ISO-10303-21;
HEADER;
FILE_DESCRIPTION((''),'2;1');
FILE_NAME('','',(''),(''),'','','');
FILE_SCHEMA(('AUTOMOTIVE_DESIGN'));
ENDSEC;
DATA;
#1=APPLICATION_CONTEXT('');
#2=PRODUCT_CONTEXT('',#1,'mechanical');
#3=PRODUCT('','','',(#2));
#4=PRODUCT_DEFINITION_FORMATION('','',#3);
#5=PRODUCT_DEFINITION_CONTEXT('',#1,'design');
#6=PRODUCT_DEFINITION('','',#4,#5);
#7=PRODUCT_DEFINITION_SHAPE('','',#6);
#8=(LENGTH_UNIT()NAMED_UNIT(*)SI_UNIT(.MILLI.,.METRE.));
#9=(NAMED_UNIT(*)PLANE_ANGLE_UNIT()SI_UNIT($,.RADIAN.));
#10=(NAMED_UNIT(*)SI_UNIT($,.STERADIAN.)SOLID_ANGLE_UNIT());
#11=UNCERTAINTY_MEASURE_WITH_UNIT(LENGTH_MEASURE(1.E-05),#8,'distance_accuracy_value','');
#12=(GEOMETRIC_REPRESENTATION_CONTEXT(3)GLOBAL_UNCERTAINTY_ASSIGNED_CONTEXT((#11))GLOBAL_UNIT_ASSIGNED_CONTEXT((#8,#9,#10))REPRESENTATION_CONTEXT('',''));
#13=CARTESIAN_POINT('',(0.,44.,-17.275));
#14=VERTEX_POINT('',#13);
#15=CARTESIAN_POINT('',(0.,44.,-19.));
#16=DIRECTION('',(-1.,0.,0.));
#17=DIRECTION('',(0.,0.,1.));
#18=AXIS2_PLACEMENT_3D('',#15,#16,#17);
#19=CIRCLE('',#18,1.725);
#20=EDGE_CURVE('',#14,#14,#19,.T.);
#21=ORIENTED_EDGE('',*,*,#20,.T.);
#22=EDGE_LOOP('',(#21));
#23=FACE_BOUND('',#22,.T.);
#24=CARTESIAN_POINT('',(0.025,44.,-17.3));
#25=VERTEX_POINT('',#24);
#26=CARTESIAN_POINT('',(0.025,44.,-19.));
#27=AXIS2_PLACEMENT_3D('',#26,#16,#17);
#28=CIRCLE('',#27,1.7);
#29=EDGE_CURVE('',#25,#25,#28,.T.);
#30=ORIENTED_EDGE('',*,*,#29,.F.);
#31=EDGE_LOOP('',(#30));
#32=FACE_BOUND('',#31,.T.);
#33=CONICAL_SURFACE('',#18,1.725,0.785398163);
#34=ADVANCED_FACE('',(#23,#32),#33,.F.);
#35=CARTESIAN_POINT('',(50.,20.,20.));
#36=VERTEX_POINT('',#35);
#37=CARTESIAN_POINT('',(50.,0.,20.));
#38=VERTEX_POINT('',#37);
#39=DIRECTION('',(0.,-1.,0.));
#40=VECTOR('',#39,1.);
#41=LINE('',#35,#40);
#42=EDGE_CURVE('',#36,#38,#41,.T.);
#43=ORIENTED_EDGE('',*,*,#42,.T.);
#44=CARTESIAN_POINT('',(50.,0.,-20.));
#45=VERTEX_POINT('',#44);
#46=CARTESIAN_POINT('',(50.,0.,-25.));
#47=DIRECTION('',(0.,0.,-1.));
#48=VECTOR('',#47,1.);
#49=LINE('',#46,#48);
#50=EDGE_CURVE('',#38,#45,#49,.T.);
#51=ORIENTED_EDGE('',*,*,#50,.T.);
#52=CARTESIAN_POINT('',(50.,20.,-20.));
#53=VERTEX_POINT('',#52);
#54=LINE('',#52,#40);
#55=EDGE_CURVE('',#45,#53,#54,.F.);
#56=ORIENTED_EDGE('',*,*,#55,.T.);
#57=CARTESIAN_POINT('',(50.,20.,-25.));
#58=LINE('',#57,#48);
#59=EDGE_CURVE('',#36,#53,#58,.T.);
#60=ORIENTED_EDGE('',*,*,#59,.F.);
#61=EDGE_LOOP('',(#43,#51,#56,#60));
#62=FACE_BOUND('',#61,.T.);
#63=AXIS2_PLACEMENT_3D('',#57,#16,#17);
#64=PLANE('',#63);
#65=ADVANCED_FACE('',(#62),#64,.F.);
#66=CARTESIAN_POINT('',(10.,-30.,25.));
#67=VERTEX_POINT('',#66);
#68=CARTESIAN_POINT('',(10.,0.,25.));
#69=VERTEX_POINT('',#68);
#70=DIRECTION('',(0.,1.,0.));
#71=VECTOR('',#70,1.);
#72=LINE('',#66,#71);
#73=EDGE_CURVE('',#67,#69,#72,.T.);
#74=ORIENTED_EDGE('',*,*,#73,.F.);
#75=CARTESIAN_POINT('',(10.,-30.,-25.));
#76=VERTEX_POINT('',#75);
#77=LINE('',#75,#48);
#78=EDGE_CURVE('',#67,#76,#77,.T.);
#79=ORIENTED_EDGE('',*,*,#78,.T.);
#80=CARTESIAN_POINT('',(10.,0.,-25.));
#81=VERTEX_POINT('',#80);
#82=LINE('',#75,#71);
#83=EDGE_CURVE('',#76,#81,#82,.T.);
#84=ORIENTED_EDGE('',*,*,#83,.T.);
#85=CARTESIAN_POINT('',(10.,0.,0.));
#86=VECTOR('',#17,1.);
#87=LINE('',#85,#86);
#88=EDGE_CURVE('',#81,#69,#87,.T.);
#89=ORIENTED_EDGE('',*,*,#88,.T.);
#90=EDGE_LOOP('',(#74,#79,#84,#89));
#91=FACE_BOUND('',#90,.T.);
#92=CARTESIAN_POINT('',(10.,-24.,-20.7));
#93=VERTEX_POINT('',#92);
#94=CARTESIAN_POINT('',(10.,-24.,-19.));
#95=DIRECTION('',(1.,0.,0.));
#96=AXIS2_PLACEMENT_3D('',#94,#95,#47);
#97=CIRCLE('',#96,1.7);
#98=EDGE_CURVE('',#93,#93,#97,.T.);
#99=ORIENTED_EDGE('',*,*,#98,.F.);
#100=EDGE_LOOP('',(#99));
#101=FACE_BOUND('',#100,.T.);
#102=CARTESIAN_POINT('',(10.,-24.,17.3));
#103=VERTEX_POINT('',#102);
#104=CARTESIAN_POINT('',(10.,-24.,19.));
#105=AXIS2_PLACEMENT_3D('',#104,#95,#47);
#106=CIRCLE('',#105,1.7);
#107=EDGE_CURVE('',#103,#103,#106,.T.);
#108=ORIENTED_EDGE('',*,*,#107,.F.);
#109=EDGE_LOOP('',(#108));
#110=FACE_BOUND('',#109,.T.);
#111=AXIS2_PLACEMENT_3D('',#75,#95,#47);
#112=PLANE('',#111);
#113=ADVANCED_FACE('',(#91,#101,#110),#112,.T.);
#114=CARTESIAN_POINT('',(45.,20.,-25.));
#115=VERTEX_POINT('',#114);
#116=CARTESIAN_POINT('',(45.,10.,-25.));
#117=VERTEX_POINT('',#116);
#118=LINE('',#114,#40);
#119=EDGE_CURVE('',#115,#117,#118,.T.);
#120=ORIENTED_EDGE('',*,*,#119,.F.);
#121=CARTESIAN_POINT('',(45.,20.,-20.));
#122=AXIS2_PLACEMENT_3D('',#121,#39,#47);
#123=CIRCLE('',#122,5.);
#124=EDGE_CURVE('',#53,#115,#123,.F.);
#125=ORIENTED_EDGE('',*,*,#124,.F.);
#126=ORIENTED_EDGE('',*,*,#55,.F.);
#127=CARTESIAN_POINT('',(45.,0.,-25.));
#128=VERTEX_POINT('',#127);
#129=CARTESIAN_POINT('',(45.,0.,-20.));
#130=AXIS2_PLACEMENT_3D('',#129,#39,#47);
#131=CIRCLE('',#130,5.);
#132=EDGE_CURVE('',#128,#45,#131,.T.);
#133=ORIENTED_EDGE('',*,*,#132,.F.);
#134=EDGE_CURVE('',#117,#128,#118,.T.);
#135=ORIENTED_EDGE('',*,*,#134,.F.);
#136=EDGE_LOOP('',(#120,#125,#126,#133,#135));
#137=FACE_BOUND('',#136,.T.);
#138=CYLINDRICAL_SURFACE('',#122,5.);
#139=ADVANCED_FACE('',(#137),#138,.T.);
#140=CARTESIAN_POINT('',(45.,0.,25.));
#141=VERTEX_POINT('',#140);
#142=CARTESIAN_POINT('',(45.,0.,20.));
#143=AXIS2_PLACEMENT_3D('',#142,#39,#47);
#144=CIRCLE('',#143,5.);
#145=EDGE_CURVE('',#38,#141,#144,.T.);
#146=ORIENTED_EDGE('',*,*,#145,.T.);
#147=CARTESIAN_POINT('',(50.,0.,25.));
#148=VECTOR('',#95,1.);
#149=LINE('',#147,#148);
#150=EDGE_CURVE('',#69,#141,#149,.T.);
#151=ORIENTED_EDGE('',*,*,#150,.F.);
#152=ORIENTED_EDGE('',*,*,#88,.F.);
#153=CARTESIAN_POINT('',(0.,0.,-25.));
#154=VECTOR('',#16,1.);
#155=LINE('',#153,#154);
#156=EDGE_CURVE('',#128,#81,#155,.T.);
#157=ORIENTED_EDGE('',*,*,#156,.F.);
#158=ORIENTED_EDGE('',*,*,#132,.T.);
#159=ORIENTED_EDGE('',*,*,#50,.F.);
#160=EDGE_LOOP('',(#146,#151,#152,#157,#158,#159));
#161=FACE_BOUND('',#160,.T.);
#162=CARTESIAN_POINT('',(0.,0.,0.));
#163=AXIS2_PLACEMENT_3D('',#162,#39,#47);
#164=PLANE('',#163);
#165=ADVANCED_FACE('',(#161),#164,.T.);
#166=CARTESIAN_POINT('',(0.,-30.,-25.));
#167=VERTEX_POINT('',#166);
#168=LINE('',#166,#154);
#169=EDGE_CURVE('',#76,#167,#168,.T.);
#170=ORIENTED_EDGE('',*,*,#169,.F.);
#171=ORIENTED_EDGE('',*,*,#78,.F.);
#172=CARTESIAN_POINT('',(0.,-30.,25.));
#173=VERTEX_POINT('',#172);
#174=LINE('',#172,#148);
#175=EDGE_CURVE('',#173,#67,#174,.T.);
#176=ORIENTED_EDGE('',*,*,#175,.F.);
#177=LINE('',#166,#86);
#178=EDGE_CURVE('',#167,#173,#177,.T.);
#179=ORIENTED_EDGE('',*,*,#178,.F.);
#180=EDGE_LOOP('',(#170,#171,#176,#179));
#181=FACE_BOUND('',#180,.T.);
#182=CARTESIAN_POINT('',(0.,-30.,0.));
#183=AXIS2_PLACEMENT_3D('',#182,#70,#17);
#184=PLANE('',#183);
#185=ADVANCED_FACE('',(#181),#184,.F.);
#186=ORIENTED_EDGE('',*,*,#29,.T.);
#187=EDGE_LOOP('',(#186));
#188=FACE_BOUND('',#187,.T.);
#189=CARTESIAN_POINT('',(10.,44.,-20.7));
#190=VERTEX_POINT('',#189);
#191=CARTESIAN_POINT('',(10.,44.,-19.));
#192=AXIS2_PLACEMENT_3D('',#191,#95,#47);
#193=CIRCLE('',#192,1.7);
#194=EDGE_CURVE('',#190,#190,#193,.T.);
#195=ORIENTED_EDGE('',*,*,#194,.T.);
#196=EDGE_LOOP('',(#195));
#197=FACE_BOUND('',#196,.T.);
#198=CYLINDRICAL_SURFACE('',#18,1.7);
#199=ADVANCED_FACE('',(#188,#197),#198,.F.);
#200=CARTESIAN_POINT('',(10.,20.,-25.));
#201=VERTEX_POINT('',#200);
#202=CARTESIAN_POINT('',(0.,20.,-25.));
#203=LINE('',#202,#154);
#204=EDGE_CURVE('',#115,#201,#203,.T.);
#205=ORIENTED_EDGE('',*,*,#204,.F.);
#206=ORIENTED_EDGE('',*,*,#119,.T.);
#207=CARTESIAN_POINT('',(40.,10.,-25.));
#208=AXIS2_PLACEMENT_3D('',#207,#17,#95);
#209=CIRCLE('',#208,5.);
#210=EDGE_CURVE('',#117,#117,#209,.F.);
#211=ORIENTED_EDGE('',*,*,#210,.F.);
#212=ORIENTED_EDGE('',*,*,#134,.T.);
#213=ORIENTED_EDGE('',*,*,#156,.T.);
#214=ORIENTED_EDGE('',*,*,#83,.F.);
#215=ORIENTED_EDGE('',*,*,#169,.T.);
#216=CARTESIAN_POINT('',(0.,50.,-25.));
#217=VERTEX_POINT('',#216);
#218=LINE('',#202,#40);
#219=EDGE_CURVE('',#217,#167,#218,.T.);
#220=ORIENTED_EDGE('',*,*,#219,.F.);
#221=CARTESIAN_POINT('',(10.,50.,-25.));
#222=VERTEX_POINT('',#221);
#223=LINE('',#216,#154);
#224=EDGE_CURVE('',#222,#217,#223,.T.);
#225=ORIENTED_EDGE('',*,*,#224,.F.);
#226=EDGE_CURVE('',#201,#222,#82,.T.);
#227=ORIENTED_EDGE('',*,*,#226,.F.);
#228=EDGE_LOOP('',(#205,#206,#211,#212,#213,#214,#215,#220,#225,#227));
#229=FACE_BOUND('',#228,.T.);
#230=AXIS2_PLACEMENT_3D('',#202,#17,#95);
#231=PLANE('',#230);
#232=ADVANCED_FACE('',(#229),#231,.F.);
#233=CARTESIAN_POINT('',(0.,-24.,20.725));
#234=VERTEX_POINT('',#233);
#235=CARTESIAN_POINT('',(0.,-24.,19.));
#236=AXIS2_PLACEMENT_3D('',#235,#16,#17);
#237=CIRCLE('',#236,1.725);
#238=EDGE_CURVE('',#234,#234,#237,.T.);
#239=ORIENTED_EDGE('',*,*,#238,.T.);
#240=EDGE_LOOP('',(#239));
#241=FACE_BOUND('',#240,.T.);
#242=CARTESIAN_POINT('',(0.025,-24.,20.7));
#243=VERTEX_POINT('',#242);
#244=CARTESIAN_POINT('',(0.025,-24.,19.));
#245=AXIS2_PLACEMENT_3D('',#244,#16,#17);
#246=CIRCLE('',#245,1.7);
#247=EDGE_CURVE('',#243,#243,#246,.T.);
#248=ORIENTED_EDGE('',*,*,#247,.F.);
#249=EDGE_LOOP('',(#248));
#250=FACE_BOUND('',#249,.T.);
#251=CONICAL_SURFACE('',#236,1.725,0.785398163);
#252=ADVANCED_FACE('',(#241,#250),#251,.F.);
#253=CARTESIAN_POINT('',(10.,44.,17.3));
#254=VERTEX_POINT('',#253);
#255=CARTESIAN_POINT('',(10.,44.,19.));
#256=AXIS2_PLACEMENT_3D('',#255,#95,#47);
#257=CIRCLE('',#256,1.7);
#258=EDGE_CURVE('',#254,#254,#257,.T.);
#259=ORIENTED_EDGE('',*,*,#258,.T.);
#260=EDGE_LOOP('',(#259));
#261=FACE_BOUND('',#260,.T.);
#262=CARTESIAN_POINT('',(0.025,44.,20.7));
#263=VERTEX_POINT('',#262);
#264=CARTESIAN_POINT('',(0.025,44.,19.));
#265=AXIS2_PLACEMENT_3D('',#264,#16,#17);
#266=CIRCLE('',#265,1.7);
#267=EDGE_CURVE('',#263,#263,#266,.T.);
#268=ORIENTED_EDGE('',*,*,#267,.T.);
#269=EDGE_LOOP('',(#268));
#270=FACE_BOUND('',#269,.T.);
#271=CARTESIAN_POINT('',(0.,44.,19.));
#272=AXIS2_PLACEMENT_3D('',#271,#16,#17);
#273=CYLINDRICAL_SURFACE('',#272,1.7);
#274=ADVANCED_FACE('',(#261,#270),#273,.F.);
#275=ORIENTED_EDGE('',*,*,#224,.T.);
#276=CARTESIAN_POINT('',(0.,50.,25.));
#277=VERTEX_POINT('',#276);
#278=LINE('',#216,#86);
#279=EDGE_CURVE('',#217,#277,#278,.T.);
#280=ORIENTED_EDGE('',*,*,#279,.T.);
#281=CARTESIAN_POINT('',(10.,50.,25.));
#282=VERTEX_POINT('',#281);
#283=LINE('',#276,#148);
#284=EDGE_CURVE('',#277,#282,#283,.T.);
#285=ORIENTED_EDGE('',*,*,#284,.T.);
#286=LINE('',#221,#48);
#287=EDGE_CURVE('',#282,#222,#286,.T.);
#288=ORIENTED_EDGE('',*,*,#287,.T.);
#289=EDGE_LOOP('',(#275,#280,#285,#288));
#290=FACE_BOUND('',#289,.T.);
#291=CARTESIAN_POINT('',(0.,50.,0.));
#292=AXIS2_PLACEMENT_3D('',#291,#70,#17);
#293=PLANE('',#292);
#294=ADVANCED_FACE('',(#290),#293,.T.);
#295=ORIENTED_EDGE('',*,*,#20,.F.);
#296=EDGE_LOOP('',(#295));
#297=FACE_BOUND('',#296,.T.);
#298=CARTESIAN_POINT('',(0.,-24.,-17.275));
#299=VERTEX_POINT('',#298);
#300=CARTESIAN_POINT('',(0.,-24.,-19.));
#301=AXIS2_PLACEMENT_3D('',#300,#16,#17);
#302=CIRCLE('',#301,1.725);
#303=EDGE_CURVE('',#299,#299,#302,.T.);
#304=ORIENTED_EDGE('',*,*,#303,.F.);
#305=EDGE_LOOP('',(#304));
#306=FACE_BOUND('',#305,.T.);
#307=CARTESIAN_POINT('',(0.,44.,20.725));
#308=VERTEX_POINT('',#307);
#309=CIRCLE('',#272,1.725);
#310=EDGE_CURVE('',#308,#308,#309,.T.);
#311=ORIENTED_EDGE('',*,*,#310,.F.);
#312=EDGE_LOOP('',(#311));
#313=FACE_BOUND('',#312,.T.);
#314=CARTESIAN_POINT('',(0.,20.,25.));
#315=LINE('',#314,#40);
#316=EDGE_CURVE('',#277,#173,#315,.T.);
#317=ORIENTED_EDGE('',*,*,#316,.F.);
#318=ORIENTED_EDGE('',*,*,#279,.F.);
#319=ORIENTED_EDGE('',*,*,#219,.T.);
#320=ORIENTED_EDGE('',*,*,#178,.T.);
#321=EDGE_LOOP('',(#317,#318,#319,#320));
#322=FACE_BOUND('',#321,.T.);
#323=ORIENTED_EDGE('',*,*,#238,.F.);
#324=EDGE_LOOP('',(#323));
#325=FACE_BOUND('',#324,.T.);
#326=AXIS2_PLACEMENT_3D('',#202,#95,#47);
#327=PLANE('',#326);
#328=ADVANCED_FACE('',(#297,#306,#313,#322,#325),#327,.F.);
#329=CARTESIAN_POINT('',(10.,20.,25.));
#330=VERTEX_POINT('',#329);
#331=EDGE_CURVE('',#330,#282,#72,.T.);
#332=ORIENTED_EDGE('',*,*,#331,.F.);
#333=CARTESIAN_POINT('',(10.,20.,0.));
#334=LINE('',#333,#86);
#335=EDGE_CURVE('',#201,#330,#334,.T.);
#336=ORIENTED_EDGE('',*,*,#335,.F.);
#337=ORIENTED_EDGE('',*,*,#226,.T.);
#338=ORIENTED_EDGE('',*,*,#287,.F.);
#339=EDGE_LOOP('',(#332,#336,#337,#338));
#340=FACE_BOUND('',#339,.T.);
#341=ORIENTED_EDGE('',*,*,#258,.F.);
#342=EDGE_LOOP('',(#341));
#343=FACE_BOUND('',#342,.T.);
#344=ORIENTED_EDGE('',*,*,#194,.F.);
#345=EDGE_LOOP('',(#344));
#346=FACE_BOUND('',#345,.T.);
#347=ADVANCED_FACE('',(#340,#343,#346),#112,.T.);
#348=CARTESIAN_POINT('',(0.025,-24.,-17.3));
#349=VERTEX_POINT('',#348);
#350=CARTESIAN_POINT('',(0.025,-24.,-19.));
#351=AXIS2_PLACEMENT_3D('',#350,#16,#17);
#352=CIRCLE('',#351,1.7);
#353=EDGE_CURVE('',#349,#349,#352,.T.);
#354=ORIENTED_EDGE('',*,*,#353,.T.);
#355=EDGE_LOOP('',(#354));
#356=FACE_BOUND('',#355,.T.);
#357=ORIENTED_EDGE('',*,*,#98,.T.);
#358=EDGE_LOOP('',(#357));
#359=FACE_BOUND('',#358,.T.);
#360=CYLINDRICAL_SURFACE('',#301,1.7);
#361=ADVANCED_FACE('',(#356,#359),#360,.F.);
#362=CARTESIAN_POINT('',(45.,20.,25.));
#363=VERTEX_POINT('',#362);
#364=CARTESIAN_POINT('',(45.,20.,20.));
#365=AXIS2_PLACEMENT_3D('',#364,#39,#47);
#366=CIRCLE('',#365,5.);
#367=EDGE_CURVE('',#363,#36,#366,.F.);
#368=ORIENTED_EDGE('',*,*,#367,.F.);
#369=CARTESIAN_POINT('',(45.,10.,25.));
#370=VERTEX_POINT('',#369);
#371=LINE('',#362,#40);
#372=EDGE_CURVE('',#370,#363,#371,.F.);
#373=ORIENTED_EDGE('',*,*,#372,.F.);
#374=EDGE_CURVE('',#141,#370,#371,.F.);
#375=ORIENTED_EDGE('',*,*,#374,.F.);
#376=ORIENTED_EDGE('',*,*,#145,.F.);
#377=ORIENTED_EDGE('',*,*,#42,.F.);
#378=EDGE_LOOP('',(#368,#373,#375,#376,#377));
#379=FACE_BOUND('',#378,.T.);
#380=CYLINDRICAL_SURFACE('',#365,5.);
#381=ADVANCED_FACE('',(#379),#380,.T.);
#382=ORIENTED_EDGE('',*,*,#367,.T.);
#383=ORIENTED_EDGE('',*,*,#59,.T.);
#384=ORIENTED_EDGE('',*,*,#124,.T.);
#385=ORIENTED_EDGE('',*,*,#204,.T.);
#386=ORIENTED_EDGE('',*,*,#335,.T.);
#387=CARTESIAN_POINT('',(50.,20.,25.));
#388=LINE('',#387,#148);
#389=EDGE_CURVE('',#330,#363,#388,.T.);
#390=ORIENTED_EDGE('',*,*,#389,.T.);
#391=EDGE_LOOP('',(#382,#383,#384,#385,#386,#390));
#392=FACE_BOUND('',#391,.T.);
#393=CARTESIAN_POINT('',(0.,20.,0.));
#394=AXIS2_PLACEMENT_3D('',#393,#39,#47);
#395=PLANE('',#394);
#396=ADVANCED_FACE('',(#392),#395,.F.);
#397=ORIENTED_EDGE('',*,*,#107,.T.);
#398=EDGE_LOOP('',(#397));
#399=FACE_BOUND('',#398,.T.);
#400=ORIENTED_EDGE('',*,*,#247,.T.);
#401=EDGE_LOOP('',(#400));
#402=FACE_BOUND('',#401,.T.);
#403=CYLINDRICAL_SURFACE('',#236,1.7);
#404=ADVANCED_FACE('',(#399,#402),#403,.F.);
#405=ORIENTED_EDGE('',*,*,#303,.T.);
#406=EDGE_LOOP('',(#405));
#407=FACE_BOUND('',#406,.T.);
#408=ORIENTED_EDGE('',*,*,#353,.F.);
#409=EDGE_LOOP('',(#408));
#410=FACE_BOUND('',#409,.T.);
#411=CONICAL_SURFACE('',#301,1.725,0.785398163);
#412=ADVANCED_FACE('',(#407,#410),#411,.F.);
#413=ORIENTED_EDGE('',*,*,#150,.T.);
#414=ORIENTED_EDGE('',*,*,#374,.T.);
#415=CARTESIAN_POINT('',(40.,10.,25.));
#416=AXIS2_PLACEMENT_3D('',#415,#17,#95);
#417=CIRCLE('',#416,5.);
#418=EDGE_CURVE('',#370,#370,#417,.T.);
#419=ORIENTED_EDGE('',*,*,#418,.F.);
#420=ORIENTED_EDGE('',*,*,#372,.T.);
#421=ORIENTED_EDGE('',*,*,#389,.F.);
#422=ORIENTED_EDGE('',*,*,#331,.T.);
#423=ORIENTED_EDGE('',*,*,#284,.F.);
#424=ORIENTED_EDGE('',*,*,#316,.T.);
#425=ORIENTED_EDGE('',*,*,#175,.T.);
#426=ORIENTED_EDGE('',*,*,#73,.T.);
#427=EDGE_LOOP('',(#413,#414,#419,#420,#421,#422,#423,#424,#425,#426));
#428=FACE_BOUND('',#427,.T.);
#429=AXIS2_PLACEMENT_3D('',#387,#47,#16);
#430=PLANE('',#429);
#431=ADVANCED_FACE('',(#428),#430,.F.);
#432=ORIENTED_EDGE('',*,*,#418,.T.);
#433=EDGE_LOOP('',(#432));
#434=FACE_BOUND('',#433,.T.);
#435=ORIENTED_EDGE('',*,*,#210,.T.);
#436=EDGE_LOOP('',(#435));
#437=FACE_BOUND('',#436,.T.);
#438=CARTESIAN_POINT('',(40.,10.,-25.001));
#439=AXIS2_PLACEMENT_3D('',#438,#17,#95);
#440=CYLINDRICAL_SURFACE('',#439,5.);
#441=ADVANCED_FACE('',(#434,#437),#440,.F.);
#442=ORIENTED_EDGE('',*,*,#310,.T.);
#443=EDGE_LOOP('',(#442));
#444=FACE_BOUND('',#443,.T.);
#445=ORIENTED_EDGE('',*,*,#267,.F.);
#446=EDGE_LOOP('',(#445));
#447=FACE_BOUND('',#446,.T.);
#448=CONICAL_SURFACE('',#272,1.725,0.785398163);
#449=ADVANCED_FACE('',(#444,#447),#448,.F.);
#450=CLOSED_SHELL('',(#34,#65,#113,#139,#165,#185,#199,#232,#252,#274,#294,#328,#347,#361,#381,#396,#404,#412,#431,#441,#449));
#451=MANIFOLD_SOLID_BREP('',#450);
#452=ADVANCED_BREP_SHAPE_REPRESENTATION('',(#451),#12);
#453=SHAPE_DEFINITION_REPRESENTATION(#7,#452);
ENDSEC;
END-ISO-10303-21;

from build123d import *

# Parameters (mm, degrees)
SKETCH1_W                      = 50
SKETCH1_H                      = 50
BOSS_EXTRUDE1_DEPTH            = 20
FILLET1_R                      = 5
CUT_EXTRUDE1_REACH             = 75.485
SKETCH2_R                      = 5
BOSS_EXTRUDE2_DEPTH            = 40
BOSS_EXTRUDE2_DEPTH_BACK       = 40
SKETCH3_W                      = 10
SKETCH3_H                      = 50
M3_CLEARANCE_HOLE1_D           = 3.4
M3_CLEARANCE_HOLE1_CSINK_D     = 3.45
M3_CLEARANCE_HOLE1_CSINK_ANGLE = 90


with BuildPart() as part:
    # Sketch1 → Boss-Extrude1 (new body)
    with BuildSketch(Plane(origin=(0, 0, 0), x_dir=(1, 0, 0), z_dir=(0, 1, 0))):
        with Locations((25, 0)):
            Rectangle(SKETCH1_W, SKETCH1_H)
    extrude(amount=BOSS_EXTRUDE1_DEPTH)

    # Fillet1
    fillet1_edges = [part.edges().sort_by_distance(p)[0] for p in [
        (50, 10, -25),
        (50, 10, 25),
    ]]
    fillet(fillet1_edges, radius=FILLET1_R)

    # Sketch2 → Cut-Extrude1 (cut, up to next)
    with BuildSketch(Plane.XY.offset(25), mode=Mode.PRIVATE) as cut_extrude1_sk1:
        with Locations((40, 10)):
            Circle(SKETCH2_R)
    cut_extrude1_tool1 = extrude(cut_extrude1_sk1.sketch, amount=-CUT_EXTRUDE1_REACH, mode=Mode.PRIVATE) & part.part
    add(cut_extrude1_tool1.solids().sort_by_distance((40, 10, 25))[0], mode=Mode.SUBTRACT)

    # Sketch3 → Boss-Extrude2 (add, two sides: drawn at the far end of the back side and taken through both)
    with BuildSketch(Plane(origin=(0, 10, 0), x_dir=(1, 0, 0), z_dir=(0, 1, 0)).offset(-BOSS_EXTRUDE2_DEPTH_BACK)):
        with Locations((5, 0)):
            Rectangle(SKETCH3_W, SKETCH3_H)
    extrude(amount=BOSS_EXTRUDE2_DEPTH + BOSS_EXTRUDE2_DEPTH_BACK)

    # M3 Clearance Hole1 (through all)
    with Locations(Plane.ZY):
        with Locations((-19, 44), (19, 44), (-19, -24), (19, -24)):
            CounterSinkHole(M3_CLEARANCE_HOLE1_D / 2, M3_CLEARANCE_HOLE1_CSINK_D / 2, counter_sink_angle=M3_CLEARANCE_HOLE1_CSINK_ANGLE)


solid = part.part
